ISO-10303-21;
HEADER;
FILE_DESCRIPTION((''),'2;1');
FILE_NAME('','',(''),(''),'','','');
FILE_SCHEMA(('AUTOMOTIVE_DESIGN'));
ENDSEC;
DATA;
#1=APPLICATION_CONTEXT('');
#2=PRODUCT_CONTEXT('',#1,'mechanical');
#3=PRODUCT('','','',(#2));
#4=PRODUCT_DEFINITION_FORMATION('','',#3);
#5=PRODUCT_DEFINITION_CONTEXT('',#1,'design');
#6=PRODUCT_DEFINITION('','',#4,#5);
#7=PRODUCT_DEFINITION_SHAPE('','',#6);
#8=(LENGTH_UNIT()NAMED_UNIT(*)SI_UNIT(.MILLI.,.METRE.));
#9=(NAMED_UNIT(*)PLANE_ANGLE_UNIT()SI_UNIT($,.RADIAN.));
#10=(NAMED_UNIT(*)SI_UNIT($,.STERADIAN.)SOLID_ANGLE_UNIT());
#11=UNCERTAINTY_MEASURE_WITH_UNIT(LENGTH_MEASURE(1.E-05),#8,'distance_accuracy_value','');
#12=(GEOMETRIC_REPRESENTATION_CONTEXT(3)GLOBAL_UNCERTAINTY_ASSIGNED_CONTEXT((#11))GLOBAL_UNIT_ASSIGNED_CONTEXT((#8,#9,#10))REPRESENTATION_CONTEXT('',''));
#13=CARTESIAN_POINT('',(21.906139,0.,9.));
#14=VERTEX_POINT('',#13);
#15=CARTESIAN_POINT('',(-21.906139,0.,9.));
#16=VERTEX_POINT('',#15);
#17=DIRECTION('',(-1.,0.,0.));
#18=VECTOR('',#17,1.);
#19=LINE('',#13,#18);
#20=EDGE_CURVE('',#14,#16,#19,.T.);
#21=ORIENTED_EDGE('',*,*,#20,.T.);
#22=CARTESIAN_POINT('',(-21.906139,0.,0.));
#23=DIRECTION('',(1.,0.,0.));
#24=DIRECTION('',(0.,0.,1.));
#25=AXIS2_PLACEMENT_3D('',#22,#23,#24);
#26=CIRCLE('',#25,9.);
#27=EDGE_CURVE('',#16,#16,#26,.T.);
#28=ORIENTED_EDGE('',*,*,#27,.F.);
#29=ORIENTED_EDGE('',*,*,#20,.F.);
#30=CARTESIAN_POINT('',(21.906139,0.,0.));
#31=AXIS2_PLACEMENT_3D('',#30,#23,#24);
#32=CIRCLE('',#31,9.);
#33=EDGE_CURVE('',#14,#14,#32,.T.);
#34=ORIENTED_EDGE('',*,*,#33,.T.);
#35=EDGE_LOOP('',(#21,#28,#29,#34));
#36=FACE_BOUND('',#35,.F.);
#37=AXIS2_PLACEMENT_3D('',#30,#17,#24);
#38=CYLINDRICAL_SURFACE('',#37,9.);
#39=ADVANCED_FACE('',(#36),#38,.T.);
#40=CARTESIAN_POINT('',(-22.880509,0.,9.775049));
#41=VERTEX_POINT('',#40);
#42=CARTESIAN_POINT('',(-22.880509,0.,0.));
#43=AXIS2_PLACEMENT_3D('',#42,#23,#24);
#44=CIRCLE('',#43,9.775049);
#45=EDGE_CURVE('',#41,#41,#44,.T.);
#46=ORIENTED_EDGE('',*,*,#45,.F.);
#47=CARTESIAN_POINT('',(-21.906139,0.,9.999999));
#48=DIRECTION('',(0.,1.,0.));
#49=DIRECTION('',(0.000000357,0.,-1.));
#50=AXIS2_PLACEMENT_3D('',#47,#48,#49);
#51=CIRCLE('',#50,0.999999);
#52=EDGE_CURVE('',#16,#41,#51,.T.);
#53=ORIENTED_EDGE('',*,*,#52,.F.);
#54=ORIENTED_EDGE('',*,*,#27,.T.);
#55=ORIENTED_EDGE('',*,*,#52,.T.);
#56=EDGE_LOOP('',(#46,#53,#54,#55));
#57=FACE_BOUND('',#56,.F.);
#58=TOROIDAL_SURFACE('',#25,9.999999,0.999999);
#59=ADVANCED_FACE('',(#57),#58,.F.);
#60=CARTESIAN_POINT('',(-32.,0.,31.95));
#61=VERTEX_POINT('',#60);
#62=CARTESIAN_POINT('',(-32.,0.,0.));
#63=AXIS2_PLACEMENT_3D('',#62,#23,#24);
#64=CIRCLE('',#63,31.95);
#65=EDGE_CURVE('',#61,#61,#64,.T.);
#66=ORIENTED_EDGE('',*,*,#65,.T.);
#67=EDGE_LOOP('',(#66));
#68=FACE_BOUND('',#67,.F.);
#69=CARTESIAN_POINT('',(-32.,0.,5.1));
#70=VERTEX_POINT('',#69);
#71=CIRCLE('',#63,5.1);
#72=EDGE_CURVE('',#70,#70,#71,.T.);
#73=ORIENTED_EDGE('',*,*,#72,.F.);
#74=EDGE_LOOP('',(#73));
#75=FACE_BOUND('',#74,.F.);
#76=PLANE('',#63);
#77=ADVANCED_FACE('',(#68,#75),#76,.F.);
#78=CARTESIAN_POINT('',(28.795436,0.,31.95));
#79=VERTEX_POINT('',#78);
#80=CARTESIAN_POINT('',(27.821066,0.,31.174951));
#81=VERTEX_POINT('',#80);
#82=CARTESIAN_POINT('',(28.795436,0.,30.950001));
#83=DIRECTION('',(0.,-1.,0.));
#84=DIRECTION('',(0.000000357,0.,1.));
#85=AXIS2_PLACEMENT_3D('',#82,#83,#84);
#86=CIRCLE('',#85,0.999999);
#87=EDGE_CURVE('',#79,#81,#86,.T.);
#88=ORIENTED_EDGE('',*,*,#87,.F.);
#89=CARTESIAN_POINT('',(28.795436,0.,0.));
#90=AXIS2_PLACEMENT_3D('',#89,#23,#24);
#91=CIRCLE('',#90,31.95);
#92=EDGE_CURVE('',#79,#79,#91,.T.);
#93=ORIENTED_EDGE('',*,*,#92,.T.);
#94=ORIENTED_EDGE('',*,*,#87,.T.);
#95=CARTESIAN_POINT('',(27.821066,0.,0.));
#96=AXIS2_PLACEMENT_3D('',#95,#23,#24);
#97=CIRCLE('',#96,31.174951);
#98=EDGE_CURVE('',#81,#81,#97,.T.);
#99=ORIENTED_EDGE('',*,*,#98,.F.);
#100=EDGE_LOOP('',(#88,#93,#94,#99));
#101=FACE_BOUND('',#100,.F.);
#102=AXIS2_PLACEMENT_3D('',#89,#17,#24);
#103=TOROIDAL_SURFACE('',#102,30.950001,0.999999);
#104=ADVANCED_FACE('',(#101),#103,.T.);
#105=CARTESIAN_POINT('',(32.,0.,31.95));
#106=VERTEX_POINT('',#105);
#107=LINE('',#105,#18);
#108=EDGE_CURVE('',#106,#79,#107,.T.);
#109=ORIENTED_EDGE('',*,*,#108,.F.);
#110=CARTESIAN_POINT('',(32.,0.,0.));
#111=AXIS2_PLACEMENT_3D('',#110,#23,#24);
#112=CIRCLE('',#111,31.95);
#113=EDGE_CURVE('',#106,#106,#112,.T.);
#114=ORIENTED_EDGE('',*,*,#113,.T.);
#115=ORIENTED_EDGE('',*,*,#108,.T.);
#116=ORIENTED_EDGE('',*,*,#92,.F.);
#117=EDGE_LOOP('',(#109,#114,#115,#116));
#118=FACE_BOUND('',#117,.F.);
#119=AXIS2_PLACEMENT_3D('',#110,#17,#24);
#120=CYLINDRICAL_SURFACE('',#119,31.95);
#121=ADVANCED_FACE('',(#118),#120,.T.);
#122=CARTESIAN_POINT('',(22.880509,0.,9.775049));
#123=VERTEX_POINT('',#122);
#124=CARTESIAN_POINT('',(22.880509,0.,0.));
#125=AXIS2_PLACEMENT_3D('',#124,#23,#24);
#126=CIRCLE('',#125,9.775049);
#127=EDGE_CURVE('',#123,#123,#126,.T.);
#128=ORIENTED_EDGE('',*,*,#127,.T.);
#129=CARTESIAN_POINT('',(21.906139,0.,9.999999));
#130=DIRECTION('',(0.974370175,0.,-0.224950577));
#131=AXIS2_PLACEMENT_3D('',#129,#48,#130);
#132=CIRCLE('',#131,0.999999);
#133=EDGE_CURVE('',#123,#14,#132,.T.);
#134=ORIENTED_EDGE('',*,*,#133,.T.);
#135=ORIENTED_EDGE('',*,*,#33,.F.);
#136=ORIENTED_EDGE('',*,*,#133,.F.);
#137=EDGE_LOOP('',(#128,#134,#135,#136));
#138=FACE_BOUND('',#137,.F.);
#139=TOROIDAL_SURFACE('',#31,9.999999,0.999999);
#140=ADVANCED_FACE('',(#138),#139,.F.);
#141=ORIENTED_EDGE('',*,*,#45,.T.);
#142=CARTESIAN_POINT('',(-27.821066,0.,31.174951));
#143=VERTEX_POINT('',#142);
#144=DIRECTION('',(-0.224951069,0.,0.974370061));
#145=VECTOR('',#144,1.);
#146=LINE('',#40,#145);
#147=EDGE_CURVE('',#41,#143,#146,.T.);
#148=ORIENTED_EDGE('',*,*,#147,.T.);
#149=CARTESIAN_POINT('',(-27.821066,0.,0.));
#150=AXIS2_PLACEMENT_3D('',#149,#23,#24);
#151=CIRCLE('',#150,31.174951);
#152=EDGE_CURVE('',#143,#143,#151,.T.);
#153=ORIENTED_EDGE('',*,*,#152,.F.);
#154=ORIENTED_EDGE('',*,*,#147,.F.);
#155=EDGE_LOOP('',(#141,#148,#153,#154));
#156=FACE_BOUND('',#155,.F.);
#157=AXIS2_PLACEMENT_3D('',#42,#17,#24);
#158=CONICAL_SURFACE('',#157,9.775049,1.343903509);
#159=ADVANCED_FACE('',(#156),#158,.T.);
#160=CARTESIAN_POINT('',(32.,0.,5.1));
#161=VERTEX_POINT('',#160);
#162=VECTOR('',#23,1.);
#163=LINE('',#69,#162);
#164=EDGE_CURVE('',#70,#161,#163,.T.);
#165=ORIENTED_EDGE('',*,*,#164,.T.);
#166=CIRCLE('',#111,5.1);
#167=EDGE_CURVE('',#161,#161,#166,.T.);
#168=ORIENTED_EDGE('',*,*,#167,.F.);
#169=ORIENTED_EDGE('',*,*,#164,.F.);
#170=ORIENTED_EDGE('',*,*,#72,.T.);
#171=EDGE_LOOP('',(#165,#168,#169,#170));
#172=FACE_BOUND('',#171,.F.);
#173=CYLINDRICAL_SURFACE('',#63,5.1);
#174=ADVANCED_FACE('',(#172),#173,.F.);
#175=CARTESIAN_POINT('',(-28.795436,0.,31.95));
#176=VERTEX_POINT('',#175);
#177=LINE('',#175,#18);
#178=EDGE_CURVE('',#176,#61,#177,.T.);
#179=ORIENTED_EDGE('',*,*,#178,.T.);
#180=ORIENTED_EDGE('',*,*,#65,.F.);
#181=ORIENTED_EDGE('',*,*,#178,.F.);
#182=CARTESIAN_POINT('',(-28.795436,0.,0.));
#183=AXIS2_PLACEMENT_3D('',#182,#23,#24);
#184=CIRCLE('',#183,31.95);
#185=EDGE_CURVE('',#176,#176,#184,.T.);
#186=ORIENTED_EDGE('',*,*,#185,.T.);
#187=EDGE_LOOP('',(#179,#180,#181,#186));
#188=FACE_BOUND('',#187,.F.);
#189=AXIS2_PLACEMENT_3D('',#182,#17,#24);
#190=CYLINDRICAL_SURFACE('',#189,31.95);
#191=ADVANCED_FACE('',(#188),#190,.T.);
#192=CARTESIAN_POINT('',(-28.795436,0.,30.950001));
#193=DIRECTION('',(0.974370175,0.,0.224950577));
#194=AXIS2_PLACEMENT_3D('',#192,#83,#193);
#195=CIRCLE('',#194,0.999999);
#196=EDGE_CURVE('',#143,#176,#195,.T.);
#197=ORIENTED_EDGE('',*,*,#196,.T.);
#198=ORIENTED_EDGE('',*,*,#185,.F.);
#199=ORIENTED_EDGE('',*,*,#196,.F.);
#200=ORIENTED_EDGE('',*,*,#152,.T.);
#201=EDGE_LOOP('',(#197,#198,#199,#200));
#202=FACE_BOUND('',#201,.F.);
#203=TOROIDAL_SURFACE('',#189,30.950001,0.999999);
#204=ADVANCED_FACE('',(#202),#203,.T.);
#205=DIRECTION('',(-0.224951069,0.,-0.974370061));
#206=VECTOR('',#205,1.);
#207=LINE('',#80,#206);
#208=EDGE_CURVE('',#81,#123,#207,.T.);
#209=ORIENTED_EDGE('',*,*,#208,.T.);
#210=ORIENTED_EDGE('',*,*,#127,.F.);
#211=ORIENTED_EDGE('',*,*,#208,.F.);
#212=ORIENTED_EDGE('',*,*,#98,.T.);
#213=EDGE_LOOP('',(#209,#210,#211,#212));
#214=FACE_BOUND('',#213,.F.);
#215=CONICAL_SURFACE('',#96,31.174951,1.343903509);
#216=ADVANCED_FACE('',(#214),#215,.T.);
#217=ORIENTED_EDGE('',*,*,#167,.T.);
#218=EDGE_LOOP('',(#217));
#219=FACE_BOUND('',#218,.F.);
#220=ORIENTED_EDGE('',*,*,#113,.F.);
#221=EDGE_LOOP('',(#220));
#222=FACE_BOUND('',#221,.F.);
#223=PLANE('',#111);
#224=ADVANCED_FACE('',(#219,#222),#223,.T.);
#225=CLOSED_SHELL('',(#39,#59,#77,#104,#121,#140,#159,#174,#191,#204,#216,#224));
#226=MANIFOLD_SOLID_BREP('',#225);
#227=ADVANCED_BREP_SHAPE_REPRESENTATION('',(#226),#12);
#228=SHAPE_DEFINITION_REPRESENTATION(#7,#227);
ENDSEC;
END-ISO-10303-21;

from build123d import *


with BuildPart() as f1:
    # F0 (on Front) → F1 (revolve)
    with BuildSketch(Plane.XZ):
        with BuildLine():
            Line((0, 5.1), (32, 5.1))
            Line((32, 5.1), (32, 31.95))
            Line((32, 31.95), (28.795436, 31.95))
            ThreePointArc((28.795436, 31.95), (28.172921, 31.732608), (27.821066, 31.174951))
            Line((27.821066, 31.174951), (22.880509, 9.775049))
            ThreePointArc((22.880509, 9.775049), (22.528654, 9.217392), (21.906139, 9))
            Line((21.906139, 9), (0, 9))
            Line((0, 9), (-21.906139, 9))
            ThreePointArc((-21.906139, 9), (-22.528654, 9.217392), (-22.880509, 9.775049))
            Line((-22.880509, 9.775049), (-27.821066, 31.174951))
            ThreePointArc((-27.821066, 31.174951), (-28.172921, 31.732608), (-28.795436, 31.95))
            Line((-28.795436, 31.95), (-32, 31.95))
            Line((-32, 31.95), (-32, 5.1))
            Line((-32, 5.1), (0, 5.1))
        make_face()
    revolve(axis=Axis((16, 0, 0), (1, 0, 0)))


solid = f1.part
